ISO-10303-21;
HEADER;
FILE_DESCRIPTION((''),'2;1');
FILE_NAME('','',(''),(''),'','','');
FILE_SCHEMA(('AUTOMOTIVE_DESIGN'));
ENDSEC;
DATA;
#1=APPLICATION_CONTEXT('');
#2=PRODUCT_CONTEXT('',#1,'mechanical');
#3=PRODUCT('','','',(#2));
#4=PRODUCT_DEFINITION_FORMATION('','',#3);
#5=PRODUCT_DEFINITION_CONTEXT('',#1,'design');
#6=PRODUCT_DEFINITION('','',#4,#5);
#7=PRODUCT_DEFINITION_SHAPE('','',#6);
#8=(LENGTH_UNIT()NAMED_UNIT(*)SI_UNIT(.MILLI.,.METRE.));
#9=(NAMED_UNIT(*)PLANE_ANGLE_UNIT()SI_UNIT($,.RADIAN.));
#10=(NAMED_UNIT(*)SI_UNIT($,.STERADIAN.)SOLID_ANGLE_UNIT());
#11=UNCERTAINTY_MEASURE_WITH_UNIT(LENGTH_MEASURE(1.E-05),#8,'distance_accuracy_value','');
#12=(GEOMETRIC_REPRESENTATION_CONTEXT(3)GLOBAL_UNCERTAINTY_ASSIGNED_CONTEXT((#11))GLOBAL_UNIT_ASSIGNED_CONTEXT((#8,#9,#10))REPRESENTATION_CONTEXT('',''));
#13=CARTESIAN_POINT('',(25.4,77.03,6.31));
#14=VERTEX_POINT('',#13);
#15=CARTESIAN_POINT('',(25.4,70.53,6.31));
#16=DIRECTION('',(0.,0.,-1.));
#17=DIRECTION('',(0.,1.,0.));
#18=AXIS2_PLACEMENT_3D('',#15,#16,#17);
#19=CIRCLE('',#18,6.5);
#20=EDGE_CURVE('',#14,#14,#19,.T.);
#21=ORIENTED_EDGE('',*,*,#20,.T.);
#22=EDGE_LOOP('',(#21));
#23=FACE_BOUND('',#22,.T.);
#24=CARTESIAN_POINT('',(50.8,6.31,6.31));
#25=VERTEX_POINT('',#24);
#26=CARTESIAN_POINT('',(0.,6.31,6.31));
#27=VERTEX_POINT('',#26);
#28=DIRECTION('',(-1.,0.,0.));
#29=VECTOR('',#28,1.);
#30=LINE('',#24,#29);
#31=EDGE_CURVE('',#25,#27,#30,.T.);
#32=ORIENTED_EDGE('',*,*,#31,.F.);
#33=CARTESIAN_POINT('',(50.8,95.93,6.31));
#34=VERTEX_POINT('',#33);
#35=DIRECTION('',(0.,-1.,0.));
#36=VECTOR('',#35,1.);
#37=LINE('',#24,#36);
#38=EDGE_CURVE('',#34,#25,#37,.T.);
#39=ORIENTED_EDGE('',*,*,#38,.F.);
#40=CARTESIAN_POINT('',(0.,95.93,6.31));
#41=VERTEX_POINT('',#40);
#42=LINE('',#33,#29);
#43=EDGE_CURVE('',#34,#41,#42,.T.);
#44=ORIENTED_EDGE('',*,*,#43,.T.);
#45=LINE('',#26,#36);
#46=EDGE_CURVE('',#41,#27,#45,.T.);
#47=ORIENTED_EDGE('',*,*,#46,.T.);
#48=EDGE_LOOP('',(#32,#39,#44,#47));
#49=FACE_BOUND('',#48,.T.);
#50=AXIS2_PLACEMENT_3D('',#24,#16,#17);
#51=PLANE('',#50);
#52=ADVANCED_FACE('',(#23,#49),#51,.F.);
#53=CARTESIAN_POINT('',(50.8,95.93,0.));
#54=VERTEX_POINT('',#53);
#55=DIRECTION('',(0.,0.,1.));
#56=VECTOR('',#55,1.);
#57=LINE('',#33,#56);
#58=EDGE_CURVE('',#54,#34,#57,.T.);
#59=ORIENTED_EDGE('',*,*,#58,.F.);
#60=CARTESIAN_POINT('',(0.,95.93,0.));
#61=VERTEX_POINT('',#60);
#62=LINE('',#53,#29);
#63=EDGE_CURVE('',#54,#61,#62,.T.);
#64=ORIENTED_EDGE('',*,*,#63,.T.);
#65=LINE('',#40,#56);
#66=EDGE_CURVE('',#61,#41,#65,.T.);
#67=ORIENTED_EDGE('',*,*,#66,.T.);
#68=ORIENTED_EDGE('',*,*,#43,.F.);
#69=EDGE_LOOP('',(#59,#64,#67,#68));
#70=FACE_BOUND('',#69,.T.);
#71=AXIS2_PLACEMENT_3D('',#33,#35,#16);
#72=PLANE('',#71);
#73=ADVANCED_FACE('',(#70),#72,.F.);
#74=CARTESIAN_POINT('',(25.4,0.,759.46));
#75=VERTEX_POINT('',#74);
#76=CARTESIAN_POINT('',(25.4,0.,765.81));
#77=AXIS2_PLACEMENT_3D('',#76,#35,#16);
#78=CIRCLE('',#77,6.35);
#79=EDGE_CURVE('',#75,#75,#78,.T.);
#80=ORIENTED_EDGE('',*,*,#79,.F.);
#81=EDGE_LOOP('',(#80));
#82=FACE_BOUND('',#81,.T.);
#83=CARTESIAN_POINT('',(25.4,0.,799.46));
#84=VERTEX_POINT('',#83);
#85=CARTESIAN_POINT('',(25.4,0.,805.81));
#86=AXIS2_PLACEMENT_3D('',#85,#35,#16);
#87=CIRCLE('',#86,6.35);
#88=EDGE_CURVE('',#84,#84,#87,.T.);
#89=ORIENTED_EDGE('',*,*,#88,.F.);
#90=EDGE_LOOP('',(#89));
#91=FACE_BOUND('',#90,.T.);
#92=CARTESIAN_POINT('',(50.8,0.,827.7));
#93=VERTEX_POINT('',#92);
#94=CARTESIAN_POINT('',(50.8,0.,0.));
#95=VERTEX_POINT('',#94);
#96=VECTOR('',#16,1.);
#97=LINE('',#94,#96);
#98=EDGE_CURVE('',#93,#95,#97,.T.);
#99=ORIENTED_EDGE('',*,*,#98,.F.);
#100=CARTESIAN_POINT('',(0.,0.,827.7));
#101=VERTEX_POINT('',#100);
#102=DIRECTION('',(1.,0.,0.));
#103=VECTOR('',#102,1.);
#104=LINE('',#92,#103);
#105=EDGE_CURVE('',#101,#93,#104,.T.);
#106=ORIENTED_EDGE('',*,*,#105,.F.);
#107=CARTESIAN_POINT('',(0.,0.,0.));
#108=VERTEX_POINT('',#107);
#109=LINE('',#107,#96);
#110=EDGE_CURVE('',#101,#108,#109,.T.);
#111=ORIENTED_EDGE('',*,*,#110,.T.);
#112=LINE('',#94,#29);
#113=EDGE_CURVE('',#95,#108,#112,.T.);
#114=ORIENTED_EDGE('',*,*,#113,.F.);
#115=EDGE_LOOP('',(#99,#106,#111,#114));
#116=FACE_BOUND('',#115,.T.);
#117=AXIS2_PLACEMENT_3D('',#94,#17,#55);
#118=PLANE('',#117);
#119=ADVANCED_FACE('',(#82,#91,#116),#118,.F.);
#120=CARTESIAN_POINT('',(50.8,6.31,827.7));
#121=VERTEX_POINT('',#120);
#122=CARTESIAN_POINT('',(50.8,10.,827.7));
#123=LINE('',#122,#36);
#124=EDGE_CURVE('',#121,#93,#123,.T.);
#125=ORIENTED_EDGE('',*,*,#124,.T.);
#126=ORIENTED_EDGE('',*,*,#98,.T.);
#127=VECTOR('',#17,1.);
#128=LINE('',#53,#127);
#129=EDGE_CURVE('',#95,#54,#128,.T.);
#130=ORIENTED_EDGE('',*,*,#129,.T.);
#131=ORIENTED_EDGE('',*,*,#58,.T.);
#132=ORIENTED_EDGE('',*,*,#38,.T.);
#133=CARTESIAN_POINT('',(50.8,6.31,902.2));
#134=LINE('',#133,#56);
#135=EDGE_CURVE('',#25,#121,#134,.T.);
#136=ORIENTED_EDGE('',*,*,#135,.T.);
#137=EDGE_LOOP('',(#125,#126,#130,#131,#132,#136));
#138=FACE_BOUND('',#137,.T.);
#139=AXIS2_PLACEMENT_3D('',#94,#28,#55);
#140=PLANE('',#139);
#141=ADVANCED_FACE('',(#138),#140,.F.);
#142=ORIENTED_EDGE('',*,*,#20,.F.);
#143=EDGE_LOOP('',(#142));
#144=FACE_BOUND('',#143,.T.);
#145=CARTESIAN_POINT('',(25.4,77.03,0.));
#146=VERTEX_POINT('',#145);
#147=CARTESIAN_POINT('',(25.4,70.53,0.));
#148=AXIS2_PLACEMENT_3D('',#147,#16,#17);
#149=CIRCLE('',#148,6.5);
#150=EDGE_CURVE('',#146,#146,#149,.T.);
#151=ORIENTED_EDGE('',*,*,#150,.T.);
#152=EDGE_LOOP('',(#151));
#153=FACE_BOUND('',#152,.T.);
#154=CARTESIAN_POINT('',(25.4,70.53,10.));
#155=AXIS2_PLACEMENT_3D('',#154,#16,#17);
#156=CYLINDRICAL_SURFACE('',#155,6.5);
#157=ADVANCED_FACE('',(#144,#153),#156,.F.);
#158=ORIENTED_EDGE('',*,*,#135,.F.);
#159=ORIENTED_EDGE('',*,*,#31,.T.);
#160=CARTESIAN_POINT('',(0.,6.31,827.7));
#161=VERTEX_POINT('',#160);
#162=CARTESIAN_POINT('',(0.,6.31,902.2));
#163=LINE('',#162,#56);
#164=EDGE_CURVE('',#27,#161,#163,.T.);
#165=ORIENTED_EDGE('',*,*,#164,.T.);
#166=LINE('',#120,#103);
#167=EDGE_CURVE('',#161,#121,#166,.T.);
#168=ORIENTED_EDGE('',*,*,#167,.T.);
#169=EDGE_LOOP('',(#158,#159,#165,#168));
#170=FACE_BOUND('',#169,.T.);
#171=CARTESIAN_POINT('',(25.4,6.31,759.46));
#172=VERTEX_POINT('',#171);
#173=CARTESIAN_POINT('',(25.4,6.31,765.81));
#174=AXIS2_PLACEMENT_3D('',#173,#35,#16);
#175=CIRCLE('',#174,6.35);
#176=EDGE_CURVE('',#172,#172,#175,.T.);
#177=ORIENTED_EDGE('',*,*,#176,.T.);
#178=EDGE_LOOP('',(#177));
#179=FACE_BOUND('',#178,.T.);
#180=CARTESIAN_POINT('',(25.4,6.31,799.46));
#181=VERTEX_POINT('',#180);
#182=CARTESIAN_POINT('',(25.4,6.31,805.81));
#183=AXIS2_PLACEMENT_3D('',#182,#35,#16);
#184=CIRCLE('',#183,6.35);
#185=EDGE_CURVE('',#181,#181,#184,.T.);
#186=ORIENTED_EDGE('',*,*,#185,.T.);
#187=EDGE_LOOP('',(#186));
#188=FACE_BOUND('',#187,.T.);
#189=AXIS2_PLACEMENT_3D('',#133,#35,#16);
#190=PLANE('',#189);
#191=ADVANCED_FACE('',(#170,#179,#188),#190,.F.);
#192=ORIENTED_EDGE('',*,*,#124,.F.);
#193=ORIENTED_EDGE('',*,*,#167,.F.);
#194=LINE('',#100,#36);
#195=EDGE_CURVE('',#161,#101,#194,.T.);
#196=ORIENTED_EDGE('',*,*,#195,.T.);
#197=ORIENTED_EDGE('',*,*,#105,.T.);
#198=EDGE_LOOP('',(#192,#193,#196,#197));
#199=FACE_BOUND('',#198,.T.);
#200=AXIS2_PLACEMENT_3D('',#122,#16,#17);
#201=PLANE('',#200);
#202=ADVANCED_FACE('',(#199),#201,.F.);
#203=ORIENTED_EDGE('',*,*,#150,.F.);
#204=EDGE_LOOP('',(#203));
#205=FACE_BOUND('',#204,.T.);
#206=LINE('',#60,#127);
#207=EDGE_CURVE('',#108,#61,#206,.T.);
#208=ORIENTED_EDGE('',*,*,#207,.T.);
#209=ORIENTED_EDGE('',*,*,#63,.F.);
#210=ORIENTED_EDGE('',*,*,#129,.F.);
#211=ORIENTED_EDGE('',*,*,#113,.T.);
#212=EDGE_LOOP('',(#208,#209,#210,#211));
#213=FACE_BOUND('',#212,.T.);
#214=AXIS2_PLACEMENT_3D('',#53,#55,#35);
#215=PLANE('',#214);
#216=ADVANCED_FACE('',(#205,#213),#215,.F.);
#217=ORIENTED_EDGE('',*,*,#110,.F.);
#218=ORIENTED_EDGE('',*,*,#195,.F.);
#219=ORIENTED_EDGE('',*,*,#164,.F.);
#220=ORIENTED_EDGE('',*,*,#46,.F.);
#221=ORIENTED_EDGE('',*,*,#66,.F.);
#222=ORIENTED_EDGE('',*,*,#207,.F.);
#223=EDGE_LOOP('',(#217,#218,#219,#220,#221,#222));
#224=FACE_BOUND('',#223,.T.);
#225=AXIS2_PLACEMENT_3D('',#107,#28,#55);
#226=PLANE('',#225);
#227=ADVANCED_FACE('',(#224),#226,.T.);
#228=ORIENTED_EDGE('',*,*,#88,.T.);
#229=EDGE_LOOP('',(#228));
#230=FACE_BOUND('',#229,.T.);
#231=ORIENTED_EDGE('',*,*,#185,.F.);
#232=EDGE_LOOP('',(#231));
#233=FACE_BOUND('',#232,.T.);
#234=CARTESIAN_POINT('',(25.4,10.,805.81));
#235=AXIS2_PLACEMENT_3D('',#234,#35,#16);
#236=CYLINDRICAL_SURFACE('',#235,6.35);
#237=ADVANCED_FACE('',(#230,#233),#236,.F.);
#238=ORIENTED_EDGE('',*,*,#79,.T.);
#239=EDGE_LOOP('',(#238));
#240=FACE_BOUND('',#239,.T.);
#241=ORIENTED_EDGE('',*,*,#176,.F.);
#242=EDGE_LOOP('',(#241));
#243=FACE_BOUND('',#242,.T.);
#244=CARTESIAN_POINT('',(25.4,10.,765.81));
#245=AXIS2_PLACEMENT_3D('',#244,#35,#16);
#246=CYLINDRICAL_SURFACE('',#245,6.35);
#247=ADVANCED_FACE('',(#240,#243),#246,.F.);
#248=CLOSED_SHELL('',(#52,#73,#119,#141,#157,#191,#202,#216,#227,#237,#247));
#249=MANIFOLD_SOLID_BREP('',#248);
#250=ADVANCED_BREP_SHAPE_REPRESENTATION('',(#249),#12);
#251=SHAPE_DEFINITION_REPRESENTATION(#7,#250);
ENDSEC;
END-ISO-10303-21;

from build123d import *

# Parameters (mm, degrees)
SALIENTE_EXTRUIR1_DEPTH = 50.8
CROQUIS2_R              = 6.5
CORTAR_EXTRUIR1_DEPTH   = 10
CROQUIS3_R              = 6.5
CORTAR_EXTRUIR2_DEPTH   = 10
CROQUIS4_W              = 50.8
CROQUIS4_H              = 74.5
CORTAR_EXTRUIR3_DEPTH   = 10
CROQUIS5_R              = 6.35
CORTAR_EXTRUIR4_DEPTH   = 10


with BuildPart() as part:
    # Croquis1 → Saliente-Extruir1 (new body)
    with BuildSketch(Plane(origin=(0, 0, 0), x_dir=(0, 0, -1), z_dir=(1, 0, 0))):
        Polygon((-6.31, 95.93), (0, 95.93), (0, 0), (-902.2, 0), (-902.2, 6.31), (-6.31, 6.31), align=None)
    extrude(amount=SALIENTE_EXTRUIR1_DEPTH)

    # Croquis2 → Cortar-Extruir1 (cut)
    with BuildSketch(Plane(origin=(0, 0, 0), x_dir=(-1, 0, 0), z_dir=(0, -1, 0))):
        with Locations(Location((-25.4, -885.7, 0), (0, 0, 90))):
            Circle(CROQUIS2_R)
        with Locations(Location((-25.4, -854.7, 0), (0, 0, 90))):
            Circle(CROQUIS2_R)
    extrude(amount=-CORTAR_EXTRUIR1_DEPTH, mode=Mode.SUBTRACT)

    # Croquis3 → Cortar-Extruir2 (cut)
    with BuildSketch(Plane(origin=(0, 0, 0), x_dir=(-1, 0, 0), z_dir=(0, 0, -1))):
        with Locations(Location((-25.4, 70.53, 0), (0, 0, 90))):
            Circle(CROQUIS3_R)
    extrude(amount=-CORTAR_EXTRUIR2_DEPTH, mode=Mode.SUBTRACT)

    # Croquis4 → Cortar-Extruir3 (cut)
    with BuildSketch(Plane.XZ):
        with Locations((25.4, 864.95)):
            Rectangle(CROQUIS4_W, CROQUIS4_H)
    extrude(amount=-CORTAR_EXTRUIR3_DEPTH, mode=Mode.SUBTRACT)

    # Croquis5 → Cortar-Extruir4 (cut)
    with BuildSketch(Plane(origin=(0, 0, 0), x_dir=(-1, 0, 0), z_dir=(0, -1, 0))):
        with Locations(Location((-25.4, -765.81, 0), (0, 0, 90))):
            Circle(CROQUIS5_R)
        with Locations(Location((-25.4, -805.81, 0), (0, 0, 90))):
            Circle(CROQUIS5_R)
    extrude(amount=-CORTAR_EXTRUIR4_DEPTH, mode=Mode.SUBTRACT)


solid = part.part
